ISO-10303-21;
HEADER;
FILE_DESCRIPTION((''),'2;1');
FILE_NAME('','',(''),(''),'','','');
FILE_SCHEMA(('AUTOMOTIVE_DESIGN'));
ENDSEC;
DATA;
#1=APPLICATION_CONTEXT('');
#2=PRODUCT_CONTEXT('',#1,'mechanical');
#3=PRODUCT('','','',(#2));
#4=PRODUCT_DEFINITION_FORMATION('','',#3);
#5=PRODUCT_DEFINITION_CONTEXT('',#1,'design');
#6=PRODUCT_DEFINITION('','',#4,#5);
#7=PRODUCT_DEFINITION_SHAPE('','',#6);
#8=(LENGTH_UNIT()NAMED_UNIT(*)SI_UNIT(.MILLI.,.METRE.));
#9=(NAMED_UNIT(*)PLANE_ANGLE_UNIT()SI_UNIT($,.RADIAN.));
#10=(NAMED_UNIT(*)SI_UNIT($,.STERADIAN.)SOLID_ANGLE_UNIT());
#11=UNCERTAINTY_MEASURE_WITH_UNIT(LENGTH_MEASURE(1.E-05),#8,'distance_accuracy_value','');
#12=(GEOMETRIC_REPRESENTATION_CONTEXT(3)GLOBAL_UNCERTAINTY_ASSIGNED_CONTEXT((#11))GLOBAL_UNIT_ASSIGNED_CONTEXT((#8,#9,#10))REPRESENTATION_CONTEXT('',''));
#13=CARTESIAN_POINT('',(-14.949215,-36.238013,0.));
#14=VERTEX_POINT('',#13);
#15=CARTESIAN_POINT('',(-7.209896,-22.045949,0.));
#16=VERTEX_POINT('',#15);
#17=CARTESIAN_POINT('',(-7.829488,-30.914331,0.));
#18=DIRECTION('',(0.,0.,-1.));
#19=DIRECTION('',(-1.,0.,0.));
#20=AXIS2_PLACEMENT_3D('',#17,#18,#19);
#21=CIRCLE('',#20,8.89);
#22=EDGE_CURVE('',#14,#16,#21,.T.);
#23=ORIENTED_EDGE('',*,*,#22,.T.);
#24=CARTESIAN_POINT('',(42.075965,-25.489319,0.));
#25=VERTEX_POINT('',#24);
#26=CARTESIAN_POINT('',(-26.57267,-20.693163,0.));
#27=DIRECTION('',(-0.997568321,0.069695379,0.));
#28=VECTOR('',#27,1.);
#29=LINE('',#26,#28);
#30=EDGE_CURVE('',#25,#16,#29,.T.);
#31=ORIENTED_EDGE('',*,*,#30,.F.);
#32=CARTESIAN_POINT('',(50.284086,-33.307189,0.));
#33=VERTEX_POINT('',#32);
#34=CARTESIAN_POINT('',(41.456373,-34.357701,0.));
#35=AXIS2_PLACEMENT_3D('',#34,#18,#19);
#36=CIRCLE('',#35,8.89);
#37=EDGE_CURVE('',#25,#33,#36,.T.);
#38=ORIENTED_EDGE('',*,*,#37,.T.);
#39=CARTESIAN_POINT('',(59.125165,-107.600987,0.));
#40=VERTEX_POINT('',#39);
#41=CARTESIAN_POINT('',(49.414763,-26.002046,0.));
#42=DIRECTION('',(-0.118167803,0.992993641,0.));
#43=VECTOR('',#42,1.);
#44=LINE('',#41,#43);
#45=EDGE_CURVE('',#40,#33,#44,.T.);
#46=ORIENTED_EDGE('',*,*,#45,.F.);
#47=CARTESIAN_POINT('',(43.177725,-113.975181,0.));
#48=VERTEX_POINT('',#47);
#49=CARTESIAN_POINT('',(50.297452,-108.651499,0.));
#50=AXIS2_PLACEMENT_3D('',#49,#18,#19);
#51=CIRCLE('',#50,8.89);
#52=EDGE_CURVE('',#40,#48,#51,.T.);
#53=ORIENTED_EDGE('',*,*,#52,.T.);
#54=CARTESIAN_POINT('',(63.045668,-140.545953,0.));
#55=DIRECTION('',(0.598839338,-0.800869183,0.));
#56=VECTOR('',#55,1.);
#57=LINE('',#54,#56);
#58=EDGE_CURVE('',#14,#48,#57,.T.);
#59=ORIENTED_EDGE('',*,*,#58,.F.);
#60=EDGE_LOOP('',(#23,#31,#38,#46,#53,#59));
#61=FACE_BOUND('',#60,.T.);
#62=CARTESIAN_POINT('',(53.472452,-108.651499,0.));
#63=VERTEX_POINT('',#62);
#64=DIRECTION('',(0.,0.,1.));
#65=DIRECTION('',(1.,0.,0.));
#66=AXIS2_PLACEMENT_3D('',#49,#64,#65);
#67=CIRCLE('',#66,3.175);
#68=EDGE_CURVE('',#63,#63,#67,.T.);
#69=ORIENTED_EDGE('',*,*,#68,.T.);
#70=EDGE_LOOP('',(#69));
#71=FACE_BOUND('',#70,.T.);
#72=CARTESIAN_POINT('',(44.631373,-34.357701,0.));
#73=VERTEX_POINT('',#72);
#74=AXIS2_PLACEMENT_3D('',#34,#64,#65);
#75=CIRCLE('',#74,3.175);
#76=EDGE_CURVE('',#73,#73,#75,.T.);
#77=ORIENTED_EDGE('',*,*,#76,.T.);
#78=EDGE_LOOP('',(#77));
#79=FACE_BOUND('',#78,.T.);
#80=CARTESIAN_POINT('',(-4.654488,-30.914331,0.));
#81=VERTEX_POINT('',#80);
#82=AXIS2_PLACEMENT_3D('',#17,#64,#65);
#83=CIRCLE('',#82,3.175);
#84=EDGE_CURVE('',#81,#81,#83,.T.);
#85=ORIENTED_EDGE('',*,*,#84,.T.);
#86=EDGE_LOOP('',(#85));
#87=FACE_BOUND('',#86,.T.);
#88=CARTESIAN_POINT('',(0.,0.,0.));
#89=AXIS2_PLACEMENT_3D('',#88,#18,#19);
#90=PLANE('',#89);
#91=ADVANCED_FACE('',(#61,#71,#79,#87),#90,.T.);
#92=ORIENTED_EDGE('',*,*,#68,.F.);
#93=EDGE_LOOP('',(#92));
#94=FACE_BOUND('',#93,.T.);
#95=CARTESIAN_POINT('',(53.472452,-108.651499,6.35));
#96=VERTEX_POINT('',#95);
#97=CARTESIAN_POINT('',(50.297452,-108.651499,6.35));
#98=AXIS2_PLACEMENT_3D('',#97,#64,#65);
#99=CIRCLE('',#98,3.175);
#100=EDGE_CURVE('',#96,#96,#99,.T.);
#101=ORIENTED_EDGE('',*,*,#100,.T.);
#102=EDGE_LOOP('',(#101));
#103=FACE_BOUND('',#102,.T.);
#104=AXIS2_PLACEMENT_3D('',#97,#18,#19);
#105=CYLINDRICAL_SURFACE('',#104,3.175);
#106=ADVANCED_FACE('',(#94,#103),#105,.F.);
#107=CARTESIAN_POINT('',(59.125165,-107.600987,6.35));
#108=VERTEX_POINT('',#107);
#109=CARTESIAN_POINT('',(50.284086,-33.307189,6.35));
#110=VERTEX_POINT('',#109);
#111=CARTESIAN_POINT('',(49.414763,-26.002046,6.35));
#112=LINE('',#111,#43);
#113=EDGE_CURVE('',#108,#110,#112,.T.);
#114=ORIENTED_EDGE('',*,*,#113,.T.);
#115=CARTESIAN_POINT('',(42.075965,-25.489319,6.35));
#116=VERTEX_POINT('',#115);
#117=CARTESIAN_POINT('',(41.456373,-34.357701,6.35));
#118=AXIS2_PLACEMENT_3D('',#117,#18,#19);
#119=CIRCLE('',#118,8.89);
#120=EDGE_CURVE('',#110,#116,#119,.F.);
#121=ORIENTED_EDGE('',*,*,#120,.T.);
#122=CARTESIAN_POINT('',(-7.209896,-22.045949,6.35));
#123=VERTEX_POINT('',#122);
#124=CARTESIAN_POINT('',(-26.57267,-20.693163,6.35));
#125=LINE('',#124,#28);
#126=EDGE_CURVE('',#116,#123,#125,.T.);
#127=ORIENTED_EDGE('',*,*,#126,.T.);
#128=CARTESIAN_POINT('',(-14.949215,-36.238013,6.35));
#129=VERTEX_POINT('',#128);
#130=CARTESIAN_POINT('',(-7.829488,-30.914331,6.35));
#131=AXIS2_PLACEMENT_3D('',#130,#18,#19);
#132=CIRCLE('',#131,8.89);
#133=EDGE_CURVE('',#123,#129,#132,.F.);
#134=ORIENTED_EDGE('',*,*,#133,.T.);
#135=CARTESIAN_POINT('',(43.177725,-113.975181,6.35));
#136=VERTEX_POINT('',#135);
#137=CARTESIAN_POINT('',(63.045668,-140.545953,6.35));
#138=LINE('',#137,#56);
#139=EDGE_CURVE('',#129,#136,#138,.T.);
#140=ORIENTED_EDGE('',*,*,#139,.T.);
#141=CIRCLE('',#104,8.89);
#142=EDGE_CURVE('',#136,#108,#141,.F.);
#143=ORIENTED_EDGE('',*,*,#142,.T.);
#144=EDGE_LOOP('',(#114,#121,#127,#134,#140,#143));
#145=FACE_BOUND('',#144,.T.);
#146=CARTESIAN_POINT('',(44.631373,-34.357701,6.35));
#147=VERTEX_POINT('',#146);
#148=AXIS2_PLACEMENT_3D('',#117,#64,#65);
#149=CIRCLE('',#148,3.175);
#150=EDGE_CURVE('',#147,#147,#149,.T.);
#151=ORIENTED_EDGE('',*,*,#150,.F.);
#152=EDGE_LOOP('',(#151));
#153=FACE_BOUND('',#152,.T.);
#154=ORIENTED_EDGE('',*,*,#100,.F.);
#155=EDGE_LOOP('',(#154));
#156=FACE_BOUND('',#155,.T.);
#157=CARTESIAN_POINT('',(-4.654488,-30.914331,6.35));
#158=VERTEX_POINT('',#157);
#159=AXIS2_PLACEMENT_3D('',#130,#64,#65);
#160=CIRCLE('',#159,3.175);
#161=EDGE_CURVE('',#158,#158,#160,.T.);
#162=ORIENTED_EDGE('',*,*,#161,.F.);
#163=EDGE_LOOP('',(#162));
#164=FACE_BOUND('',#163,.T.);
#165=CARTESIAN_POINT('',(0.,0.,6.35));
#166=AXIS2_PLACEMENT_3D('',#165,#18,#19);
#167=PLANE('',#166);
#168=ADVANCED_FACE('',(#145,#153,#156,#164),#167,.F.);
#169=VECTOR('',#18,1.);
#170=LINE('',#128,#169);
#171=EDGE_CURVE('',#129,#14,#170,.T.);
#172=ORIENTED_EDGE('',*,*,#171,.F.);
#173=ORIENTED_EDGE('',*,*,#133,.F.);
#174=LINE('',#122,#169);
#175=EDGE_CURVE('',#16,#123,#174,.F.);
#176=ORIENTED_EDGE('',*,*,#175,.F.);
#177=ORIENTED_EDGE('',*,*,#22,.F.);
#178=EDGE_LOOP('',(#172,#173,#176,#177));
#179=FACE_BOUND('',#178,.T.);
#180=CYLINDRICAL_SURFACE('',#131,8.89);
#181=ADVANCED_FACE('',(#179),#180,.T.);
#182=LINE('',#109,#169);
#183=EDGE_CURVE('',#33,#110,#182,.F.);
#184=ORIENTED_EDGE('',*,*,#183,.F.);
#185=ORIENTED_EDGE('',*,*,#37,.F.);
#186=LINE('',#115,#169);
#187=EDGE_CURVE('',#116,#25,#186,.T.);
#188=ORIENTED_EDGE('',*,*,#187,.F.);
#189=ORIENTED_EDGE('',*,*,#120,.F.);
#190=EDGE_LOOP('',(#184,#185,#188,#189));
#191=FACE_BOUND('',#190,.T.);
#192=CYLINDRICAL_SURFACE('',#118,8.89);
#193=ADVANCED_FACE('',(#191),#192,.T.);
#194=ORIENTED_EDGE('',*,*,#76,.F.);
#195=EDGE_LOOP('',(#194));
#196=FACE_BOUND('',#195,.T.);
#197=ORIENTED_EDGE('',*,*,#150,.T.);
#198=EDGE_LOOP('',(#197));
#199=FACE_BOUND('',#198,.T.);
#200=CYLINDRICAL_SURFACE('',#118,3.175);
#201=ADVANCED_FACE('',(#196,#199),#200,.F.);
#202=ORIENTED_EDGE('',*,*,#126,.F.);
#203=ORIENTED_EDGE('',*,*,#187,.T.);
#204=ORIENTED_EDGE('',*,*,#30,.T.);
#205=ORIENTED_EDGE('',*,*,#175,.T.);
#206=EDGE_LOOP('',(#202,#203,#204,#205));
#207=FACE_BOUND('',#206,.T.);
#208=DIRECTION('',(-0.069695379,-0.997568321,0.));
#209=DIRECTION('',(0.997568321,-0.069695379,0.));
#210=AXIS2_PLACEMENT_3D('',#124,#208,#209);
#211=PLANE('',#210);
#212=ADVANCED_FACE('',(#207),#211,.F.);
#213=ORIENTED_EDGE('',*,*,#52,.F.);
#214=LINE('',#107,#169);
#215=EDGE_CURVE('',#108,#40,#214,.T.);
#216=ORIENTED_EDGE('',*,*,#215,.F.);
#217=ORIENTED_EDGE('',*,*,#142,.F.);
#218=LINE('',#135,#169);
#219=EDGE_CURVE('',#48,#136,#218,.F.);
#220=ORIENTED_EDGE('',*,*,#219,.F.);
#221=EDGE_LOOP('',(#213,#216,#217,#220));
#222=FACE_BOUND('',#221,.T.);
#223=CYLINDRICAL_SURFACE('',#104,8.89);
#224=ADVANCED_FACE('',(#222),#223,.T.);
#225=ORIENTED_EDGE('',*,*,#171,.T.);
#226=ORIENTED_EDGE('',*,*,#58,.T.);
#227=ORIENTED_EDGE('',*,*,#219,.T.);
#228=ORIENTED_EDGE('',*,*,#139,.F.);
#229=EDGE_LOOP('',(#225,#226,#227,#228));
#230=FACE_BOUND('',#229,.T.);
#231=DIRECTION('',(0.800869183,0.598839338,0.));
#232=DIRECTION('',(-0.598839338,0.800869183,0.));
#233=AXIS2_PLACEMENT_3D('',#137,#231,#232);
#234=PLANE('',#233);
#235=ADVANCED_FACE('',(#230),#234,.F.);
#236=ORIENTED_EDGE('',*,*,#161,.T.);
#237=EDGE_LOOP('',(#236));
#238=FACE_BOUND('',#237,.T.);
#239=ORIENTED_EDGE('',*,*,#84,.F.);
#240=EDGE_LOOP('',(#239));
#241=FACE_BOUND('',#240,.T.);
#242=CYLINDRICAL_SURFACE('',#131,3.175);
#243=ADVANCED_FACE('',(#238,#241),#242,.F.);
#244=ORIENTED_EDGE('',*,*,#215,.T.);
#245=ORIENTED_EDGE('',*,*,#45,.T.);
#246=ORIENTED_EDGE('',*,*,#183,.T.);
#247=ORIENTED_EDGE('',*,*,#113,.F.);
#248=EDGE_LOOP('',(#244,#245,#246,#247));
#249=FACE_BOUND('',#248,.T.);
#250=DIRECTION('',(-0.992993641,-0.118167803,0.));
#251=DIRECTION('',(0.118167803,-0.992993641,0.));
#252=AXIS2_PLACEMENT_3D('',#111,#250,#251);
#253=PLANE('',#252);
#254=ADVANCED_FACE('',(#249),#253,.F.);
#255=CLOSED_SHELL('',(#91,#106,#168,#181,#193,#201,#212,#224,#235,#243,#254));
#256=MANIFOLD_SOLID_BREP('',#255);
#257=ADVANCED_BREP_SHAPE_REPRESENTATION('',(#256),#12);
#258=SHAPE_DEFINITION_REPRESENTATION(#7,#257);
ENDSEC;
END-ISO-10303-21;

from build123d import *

# Parameters (mm, degrees)
SKETCH1_R           = 3.175
BOSS_EXTRUDE1_DEPTH = 6.35
FILLET1_R           = 8.89


with BuildPart() as part:
    # Sketch1 → Boss-Extrude1 (new body)
    with BuildSketch(Plane.XY):
        Polygon((-26.572670207, -20.693163298), (49.414762795, -26.00204572), (63.045667666, -140.545952681), align=None)
        with Locations((-7.829487562, -30.914331115)):
            Circle(SKETCH1_R, mode=Mode.SUBTRACT)
        with Locations((41.456372883, -34.357700996)):
            Circle(SKETCH1_R, mode=Mode.SUBTRACT)
        with Locations((50.297451581, -108.651499199)):
            Circle(SKETCH1_R, mode=Mode.SUBTRACT)
    extrude(amount=BOSS_EXTRUDE1_DEPTH)

    # Fillet1
    fillet1_edges = [part.edges().sort_by_distance(p)[0] for p in [
        (-26.572670207, -20.693163298, 3.175),
        (49.414762795, -26.00204572, 3.175),
        (63.045667666, -140.545952681, 3.175),
    ]]
    fillet(fillet1_edges, radius=FILLET1_R)


solid = part.part
